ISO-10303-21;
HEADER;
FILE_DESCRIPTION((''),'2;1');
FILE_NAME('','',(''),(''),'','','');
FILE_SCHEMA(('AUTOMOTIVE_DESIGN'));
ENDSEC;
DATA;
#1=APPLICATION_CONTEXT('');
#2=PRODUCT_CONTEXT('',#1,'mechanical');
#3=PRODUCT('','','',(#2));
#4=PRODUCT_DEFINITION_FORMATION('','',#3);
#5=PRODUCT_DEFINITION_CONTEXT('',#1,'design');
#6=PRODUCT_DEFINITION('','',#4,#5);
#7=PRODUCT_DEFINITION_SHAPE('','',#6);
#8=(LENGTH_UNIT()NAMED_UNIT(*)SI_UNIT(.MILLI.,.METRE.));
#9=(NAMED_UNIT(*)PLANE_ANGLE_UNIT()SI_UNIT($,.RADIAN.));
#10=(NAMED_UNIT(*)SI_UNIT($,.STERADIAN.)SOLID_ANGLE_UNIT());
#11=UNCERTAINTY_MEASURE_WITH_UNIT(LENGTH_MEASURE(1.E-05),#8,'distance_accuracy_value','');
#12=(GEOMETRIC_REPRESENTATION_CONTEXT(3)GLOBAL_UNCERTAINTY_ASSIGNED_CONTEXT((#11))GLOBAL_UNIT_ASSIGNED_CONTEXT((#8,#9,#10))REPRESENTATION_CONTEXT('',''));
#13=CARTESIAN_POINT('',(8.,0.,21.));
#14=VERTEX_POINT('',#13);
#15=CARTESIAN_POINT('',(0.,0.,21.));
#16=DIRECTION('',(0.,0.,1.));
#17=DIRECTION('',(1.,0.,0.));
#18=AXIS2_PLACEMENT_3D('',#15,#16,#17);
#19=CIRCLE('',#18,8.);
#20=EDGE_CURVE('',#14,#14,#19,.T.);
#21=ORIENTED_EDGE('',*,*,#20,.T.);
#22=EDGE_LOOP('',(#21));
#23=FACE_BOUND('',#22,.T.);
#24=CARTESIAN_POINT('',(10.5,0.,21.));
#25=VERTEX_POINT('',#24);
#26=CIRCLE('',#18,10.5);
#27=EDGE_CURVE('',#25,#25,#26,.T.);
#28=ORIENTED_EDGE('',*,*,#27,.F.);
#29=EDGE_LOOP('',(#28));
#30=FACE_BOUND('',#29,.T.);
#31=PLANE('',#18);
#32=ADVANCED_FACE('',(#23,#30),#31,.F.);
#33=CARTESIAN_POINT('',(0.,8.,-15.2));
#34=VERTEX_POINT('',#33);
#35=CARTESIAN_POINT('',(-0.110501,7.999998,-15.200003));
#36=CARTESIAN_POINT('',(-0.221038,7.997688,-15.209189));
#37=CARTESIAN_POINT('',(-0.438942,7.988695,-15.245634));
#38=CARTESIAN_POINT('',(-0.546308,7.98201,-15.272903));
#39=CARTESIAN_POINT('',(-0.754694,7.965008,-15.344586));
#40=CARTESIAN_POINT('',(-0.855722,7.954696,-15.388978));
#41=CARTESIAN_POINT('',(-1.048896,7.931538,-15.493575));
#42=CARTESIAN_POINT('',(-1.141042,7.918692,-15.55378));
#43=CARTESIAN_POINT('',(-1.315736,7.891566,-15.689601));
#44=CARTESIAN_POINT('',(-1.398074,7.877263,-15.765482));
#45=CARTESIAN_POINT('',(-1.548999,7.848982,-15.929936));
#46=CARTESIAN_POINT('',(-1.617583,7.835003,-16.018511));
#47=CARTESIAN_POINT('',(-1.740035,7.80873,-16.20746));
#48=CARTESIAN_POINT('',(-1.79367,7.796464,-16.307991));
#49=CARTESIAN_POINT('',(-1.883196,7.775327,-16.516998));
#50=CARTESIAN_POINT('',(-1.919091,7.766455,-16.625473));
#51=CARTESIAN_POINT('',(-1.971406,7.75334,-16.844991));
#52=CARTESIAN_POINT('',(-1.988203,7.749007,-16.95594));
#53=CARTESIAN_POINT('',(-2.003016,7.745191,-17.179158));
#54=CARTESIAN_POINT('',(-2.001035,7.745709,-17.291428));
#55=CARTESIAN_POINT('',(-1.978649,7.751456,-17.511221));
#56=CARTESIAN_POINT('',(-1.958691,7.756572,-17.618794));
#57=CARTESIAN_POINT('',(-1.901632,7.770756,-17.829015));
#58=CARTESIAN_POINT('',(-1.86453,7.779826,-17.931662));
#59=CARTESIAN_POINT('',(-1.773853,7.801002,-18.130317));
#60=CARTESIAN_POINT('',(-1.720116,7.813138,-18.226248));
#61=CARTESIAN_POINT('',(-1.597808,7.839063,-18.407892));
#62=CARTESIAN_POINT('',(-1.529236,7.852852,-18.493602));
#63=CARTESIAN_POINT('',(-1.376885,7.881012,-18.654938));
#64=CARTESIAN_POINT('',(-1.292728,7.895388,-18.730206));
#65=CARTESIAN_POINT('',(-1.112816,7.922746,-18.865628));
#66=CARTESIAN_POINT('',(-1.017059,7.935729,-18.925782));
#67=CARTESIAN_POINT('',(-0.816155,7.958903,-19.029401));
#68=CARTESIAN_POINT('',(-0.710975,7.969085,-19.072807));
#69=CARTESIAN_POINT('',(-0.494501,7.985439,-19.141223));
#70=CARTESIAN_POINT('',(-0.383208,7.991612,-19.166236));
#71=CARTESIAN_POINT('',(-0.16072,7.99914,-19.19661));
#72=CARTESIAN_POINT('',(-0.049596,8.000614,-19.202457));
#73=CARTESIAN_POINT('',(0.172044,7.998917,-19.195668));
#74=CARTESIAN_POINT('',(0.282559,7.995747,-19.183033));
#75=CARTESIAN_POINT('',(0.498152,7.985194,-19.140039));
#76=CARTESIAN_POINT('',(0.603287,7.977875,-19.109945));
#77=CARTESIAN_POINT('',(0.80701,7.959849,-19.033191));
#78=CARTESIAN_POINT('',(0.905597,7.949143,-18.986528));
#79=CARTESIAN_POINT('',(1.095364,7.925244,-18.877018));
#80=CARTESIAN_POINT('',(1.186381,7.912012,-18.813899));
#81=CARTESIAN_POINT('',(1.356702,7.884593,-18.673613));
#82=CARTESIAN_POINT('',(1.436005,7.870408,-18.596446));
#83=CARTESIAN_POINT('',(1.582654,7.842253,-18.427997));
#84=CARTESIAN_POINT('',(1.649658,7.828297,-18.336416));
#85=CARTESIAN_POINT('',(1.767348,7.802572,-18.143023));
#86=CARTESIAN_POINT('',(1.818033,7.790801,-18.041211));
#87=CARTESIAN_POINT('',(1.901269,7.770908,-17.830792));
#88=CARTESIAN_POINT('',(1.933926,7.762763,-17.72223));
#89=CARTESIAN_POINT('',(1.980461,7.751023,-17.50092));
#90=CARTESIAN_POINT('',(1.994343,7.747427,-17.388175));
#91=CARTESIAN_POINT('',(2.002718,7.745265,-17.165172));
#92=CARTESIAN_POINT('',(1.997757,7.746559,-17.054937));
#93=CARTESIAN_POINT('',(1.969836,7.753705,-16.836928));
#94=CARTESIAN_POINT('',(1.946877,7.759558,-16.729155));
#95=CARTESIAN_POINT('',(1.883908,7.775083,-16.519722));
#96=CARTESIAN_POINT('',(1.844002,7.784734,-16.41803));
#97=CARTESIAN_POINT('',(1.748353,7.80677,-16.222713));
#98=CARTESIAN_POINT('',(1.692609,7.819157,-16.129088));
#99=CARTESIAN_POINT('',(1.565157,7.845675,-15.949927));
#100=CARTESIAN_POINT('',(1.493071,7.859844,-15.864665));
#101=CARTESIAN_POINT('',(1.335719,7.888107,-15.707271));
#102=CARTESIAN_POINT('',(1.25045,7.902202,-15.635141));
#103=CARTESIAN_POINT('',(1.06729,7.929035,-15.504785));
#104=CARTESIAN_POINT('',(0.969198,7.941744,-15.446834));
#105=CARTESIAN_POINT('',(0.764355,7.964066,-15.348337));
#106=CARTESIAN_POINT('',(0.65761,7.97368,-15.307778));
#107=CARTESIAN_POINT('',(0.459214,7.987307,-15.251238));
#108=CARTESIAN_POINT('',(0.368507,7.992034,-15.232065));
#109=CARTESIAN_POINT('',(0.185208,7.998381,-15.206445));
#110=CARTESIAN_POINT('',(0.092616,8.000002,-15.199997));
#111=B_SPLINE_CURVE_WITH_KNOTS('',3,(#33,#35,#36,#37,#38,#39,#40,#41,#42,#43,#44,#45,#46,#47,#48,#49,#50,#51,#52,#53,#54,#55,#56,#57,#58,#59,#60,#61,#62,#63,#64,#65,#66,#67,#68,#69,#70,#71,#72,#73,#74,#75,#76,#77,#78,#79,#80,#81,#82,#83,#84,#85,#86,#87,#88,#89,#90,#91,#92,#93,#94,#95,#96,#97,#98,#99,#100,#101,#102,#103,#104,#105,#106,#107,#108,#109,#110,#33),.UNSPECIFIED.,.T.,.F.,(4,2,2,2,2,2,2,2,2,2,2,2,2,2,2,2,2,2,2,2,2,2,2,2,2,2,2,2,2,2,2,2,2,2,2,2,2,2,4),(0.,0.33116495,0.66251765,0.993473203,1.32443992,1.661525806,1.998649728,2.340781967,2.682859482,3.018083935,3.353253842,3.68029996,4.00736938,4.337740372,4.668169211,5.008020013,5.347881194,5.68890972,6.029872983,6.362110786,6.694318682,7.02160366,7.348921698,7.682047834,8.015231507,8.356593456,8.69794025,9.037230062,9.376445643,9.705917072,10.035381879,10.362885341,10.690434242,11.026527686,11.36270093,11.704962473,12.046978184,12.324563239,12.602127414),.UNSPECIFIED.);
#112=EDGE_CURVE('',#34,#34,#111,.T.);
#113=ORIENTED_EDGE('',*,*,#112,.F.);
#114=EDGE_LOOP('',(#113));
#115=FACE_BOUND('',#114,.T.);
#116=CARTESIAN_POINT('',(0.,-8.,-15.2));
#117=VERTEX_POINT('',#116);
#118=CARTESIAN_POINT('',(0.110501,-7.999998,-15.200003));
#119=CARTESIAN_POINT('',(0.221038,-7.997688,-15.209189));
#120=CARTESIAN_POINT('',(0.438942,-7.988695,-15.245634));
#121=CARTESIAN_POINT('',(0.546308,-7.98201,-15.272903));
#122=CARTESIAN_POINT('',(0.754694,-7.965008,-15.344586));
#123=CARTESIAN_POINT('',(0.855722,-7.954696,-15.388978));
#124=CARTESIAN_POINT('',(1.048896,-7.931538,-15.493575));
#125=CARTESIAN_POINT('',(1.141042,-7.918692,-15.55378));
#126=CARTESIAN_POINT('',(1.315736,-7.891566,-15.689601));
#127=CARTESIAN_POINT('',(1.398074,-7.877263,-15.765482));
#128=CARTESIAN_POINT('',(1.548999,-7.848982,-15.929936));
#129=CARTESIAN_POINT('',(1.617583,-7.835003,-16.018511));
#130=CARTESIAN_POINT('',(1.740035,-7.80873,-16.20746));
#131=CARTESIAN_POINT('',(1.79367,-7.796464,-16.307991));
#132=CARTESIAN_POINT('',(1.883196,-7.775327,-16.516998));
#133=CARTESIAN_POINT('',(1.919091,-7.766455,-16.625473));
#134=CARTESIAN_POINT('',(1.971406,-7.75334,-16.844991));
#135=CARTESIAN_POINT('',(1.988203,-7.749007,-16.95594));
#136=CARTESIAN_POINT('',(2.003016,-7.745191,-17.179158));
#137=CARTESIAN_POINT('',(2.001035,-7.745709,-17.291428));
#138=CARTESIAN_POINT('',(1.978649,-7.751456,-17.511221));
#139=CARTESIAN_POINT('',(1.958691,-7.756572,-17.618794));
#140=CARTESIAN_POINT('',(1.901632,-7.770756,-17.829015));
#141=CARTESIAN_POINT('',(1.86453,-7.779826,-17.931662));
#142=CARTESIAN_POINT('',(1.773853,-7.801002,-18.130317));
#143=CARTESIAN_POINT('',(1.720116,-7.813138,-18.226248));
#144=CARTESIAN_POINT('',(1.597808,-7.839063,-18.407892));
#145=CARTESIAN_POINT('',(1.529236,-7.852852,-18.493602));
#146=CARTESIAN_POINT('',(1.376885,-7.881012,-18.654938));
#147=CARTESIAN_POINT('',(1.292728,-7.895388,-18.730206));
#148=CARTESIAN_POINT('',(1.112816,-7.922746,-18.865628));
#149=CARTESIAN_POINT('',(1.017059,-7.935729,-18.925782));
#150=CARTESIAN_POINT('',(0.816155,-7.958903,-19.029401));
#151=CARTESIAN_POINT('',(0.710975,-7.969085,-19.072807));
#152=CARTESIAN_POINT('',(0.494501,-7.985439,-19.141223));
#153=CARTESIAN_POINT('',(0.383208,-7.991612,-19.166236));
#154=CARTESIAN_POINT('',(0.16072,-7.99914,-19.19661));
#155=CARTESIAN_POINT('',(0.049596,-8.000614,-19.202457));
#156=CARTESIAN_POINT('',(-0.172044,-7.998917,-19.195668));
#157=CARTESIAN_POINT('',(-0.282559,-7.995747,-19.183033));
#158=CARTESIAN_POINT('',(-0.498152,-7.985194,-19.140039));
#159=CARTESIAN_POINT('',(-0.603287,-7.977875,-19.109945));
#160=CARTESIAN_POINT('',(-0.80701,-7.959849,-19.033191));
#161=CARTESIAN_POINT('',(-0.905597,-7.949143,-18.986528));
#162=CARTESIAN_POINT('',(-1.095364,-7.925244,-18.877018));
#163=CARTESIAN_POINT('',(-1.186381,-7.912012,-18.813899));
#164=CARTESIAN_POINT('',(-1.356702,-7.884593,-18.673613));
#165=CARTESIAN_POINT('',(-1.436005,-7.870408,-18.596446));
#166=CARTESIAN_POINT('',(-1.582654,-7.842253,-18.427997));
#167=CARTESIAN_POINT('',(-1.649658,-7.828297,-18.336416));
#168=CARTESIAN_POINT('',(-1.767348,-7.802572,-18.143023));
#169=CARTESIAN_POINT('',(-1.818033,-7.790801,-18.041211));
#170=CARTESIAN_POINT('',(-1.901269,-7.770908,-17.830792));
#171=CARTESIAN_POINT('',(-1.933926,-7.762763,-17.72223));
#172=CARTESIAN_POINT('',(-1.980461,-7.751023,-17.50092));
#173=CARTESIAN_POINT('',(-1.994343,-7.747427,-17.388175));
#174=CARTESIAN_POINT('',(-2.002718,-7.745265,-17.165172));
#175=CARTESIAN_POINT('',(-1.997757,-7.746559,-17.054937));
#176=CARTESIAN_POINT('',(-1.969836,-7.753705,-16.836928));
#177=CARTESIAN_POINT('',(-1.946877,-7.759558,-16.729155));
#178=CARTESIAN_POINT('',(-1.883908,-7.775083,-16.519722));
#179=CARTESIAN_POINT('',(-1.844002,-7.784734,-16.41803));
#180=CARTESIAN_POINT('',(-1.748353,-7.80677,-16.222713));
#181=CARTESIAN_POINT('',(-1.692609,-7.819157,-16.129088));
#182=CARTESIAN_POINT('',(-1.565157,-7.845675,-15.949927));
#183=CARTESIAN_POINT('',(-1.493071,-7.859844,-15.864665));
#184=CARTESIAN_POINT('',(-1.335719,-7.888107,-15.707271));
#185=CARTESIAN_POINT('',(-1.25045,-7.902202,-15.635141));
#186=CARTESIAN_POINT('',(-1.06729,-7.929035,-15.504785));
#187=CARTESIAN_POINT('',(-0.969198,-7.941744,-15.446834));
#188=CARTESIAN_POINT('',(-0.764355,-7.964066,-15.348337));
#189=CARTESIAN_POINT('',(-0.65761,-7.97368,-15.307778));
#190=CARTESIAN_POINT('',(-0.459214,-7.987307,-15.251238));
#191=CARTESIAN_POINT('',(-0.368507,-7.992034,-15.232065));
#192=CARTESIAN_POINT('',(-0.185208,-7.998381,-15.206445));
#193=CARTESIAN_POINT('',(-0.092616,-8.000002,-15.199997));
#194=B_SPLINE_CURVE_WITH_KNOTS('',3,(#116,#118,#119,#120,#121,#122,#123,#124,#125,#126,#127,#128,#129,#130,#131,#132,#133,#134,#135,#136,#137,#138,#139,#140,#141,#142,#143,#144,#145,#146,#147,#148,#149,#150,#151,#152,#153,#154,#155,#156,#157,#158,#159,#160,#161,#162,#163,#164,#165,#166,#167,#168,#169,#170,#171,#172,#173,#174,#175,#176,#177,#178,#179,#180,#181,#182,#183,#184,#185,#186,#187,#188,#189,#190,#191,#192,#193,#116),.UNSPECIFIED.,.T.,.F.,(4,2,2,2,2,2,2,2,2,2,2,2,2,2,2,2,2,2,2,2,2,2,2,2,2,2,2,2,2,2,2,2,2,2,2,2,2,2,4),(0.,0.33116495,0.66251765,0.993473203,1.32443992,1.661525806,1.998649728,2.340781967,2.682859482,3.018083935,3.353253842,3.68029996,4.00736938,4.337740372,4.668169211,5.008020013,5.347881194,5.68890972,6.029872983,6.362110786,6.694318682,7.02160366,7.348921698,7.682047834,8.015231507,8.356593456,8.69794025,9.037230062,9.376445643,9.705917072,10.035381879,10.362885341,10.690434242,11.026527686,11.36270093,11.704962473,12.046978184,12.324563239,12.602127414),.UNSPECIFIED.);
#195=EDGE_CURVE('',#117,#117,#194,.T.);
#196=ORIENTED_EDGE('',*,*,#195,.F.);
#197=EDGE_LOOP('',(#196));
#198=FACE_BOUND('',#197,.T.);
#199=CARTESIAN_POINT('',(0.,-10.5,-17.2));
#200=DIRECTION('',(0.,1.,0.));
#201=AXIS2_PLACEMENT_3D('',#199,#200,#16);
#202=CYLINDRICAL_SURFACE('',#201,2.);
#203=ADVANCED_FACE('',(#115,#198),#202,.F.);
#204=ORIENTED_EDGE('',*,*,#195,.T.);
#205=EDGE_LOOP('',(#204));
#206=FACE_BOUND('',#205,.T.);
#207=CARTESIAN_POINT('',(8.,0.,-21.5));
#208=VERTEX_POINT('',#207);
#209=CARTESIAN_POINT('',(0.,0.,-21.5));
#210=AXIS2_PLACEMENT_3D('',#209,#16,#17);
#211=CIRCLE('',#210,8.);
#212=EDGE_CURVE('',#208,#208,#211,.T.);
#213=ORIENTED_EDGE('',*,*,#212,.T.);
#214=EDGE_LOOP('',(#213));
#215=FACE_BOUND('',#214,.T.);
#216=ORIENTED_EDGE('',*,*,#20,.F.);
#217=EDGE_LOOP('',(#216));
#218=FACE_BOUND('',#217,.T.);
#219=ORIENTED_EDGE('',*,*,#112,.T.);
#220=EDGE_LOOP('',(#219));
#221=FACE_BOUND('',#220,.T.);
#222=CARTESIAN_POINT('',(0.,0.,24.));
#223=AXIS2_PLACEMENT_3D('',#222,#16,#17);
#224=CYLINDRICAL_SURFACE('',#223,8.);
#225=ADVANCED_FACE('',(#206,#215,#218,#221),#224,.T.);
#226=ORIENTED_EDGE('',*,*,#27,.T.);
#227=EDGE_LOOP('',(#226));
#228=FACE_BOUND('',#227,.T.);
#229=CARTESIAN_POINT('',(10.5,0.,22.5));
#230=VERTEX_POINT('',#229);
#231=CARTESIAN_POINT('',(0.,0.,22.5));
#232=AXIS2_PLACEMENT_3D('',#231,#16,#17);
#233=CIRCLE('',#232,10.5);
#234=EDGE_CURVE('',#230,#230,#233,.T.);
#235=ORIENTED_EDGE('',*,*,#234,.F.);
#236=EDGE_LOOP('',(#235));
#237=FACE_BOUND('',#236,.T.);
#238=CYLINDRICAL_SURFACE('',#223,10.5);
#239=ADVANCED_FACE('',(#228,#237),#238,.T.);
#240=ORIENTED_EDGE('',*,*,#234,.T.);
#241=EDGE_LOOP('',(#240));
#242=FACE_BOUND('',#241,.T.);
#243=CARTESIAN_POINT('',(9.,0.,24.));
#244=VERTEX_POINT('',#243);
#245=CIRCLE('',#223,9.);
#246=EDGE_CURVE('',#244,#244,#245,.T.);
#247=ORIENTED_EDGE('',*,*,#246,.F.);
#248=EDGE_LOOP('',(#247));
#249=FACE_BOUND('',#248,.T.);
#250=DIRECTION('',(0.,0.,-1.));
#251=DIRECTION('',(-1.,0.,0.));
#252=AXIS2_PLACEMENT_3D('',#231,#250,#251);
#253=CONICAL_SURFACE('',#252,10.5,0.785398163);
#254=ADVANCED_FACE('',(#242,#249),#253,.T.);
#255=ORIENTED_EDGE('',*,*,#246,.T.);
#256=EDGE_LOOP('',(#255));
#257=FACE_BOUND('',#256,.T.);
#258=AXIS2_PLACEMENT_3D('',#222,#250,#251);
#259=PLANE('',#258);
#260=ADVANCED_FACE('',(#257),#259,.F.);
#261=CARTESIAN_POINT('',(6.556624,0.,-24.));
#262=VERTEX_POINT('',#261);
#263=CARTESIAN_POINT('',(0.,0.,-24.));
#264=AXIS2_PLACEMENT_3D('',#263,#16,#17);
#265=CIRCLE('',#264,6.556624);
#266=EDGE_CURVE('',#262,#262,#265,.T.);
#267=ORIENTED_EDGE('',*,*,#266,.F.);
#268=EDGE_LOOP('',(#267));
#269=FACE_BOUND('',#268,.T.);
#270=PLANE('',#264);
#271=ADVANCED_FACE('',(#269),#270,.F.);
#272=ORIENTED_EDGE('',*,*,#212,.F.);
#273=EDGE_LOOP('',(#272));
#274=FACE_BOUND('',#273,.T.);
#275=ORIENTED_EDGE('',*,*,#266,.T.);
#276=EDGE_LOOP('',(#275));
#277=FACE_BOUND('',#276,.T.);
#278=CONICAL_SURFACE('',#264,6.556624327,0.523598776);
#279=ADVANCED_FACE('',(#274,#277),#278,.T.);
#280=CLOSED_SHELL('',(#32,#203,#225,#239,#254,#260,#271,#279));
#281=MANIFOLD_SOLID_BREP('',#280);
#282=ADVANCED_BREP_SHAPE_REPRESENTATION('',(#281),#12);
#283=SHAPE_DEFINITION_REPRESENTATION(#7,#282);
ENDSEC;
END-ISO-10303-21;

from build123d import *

# Parameters (mm, degrees)
WYTNIJ_WYCI_GNI_CIE1_DEPTH      = 29.222331583
WYTNIJ_WYCI_GNI_CIE1_DEPTH_BACK = 29.222331583
SZKIC2_R                        = 2


with BuildPart() as part:
    # Szkic1 → Obrót1 (revolve)
    with BuildSketch(Plane(origin=(0, 0, 0), x_dir=(1, 0, 0), z_dir=(0, 1, 0))):
        Polygon((0, -24), (9, -24), (10.5, -22.5), (10.5, -21), (8, -21), (8, 21.5), (6.556624327, 24), (0, 24), align=None)
    revolve(axis=Axis((0, 0, 24), (0, 0, -1)))

    # Szkic2 → Wytnij-wyciągnięcie1 (cut, two sides: drawn at the far end of the back side and taken through both)
    with BuildSketch(Plane(origin=(0, 0, 0), x_dir=(1, 0, 0), z_dir=(0, 1, 0)).offset(-WYTNIJ_WYCI_GNI_CIE1_DEPTH_BACK)):
        with Locations(Location((0, 17.2, 0), (0, 0, 270))):
            Circle(SZKIC2_R)
    extrude(amount=WYTNIJ_WYCI_GNI_CIE1_DEPTH + WYTNIJ_WYCI_GNI_CIE1_DEPTH_BACK, mode=Mode.SUBTRACT)


solid = part.part
